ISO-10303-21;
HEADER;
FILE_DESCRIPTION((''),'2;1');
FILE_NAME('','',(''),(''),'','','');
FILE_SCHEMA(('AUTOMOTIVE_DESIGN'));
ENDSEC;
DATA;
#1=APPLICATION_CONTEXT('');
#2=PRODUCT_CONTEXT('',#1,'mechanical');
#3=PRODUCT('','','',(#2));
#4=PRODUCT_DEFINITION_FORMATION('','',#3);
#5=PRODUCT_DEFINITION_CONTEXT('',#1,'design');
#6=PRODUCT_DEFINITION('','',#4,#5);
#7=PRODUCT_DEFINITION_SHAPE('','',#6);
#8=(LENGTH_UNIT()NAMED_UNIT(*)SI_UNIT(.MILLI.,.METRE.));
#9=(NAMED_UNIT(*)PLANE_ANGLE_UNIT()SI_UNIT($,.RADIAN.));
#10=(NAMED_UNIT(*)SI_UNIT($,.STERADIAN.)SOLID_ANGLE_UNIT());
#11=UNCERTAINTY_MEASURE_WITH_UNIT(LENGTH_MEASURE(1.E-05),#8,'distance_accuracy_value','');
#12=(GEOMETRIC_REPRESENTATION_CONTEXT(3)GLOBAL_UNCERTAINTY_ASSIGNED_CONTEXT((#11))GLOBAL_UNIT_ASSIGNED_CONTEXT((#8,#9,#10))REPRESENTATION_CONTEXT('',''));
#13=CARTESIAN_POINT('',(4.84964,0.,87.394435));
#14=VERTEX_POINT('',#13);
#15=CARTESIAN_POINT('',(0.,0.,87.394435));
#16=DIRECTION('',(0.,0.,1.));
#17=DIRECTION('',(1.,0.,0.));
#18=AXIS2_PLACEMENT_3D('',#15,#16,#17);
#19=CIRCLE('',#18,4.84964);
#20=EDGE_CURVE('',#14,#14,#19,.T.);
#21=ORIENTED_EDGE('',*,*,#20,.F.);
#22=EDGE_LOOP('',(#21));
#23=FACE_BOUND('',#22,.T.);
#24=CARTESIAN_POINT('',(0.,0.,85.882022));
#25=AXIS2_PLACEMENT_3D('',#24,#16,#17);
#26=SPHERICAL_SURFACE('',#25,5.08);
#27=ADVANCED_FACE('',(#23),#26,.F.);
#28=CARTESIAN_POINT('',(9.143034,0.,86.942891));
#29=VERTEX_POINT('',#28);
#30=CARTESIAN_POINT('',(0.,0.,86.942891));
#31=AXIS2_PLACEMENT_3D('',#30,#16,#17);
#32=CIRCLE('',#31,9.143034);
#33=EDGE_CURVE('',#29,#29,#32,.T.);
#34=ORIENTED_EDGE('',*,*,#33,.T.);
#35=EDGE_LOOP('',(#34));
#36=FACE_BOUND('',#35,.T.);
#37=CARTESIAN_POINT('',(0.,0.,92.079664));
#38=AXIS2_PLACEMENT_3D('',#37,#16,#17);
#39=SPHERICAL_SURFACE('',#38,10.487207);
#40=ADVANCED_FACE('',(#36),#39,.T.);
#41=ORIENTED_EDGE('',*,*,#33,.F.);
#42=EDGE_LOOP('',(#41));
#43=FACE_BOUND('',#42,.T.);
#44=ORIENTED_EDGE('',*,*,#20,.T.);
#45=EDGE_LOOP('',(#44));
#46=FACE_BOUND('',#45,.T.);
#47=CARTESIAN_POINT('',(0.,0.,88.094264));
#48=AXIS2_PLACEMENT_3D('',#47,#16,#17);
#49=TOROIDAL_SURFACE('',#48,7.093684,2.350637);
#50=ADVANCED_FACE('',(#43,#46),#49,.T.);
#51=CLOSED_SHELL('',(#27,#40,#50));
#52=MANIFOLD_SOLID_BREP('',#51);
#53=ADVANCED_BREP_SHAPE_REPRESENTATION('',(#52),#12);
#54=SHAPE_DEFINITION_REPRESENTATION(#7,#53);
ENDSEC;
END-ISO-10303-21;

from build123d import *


with BuildPart() as part:
    # 草图2 → 旋转1 (revolve)
    with BuildSketch(Plane(origin=(0, 0, 0), x_dir=(1, 0, 0), z_dir=(0, 1, 0))):
        with BuildLine():
            Line((0, -90.962021837), (0, -102.56687077))
            ThreePointArc((0, -102.56687077), (9.051295697, -97.376413347), (9.143034238, -86.942891119))
            ThreePointArc((9.143034238, -86.942891119), (6.847819602, -85.756520463), (4.849639886, -87.394434802))
            ThreePointArc((4.849639886, -87.394434802), (3.010260964, -89.974054208), (0, -90.962021837))
        make_face()
    revolve(axis=Axis((0, 0, 0), (0, 0, -1)))


solid = part.part
